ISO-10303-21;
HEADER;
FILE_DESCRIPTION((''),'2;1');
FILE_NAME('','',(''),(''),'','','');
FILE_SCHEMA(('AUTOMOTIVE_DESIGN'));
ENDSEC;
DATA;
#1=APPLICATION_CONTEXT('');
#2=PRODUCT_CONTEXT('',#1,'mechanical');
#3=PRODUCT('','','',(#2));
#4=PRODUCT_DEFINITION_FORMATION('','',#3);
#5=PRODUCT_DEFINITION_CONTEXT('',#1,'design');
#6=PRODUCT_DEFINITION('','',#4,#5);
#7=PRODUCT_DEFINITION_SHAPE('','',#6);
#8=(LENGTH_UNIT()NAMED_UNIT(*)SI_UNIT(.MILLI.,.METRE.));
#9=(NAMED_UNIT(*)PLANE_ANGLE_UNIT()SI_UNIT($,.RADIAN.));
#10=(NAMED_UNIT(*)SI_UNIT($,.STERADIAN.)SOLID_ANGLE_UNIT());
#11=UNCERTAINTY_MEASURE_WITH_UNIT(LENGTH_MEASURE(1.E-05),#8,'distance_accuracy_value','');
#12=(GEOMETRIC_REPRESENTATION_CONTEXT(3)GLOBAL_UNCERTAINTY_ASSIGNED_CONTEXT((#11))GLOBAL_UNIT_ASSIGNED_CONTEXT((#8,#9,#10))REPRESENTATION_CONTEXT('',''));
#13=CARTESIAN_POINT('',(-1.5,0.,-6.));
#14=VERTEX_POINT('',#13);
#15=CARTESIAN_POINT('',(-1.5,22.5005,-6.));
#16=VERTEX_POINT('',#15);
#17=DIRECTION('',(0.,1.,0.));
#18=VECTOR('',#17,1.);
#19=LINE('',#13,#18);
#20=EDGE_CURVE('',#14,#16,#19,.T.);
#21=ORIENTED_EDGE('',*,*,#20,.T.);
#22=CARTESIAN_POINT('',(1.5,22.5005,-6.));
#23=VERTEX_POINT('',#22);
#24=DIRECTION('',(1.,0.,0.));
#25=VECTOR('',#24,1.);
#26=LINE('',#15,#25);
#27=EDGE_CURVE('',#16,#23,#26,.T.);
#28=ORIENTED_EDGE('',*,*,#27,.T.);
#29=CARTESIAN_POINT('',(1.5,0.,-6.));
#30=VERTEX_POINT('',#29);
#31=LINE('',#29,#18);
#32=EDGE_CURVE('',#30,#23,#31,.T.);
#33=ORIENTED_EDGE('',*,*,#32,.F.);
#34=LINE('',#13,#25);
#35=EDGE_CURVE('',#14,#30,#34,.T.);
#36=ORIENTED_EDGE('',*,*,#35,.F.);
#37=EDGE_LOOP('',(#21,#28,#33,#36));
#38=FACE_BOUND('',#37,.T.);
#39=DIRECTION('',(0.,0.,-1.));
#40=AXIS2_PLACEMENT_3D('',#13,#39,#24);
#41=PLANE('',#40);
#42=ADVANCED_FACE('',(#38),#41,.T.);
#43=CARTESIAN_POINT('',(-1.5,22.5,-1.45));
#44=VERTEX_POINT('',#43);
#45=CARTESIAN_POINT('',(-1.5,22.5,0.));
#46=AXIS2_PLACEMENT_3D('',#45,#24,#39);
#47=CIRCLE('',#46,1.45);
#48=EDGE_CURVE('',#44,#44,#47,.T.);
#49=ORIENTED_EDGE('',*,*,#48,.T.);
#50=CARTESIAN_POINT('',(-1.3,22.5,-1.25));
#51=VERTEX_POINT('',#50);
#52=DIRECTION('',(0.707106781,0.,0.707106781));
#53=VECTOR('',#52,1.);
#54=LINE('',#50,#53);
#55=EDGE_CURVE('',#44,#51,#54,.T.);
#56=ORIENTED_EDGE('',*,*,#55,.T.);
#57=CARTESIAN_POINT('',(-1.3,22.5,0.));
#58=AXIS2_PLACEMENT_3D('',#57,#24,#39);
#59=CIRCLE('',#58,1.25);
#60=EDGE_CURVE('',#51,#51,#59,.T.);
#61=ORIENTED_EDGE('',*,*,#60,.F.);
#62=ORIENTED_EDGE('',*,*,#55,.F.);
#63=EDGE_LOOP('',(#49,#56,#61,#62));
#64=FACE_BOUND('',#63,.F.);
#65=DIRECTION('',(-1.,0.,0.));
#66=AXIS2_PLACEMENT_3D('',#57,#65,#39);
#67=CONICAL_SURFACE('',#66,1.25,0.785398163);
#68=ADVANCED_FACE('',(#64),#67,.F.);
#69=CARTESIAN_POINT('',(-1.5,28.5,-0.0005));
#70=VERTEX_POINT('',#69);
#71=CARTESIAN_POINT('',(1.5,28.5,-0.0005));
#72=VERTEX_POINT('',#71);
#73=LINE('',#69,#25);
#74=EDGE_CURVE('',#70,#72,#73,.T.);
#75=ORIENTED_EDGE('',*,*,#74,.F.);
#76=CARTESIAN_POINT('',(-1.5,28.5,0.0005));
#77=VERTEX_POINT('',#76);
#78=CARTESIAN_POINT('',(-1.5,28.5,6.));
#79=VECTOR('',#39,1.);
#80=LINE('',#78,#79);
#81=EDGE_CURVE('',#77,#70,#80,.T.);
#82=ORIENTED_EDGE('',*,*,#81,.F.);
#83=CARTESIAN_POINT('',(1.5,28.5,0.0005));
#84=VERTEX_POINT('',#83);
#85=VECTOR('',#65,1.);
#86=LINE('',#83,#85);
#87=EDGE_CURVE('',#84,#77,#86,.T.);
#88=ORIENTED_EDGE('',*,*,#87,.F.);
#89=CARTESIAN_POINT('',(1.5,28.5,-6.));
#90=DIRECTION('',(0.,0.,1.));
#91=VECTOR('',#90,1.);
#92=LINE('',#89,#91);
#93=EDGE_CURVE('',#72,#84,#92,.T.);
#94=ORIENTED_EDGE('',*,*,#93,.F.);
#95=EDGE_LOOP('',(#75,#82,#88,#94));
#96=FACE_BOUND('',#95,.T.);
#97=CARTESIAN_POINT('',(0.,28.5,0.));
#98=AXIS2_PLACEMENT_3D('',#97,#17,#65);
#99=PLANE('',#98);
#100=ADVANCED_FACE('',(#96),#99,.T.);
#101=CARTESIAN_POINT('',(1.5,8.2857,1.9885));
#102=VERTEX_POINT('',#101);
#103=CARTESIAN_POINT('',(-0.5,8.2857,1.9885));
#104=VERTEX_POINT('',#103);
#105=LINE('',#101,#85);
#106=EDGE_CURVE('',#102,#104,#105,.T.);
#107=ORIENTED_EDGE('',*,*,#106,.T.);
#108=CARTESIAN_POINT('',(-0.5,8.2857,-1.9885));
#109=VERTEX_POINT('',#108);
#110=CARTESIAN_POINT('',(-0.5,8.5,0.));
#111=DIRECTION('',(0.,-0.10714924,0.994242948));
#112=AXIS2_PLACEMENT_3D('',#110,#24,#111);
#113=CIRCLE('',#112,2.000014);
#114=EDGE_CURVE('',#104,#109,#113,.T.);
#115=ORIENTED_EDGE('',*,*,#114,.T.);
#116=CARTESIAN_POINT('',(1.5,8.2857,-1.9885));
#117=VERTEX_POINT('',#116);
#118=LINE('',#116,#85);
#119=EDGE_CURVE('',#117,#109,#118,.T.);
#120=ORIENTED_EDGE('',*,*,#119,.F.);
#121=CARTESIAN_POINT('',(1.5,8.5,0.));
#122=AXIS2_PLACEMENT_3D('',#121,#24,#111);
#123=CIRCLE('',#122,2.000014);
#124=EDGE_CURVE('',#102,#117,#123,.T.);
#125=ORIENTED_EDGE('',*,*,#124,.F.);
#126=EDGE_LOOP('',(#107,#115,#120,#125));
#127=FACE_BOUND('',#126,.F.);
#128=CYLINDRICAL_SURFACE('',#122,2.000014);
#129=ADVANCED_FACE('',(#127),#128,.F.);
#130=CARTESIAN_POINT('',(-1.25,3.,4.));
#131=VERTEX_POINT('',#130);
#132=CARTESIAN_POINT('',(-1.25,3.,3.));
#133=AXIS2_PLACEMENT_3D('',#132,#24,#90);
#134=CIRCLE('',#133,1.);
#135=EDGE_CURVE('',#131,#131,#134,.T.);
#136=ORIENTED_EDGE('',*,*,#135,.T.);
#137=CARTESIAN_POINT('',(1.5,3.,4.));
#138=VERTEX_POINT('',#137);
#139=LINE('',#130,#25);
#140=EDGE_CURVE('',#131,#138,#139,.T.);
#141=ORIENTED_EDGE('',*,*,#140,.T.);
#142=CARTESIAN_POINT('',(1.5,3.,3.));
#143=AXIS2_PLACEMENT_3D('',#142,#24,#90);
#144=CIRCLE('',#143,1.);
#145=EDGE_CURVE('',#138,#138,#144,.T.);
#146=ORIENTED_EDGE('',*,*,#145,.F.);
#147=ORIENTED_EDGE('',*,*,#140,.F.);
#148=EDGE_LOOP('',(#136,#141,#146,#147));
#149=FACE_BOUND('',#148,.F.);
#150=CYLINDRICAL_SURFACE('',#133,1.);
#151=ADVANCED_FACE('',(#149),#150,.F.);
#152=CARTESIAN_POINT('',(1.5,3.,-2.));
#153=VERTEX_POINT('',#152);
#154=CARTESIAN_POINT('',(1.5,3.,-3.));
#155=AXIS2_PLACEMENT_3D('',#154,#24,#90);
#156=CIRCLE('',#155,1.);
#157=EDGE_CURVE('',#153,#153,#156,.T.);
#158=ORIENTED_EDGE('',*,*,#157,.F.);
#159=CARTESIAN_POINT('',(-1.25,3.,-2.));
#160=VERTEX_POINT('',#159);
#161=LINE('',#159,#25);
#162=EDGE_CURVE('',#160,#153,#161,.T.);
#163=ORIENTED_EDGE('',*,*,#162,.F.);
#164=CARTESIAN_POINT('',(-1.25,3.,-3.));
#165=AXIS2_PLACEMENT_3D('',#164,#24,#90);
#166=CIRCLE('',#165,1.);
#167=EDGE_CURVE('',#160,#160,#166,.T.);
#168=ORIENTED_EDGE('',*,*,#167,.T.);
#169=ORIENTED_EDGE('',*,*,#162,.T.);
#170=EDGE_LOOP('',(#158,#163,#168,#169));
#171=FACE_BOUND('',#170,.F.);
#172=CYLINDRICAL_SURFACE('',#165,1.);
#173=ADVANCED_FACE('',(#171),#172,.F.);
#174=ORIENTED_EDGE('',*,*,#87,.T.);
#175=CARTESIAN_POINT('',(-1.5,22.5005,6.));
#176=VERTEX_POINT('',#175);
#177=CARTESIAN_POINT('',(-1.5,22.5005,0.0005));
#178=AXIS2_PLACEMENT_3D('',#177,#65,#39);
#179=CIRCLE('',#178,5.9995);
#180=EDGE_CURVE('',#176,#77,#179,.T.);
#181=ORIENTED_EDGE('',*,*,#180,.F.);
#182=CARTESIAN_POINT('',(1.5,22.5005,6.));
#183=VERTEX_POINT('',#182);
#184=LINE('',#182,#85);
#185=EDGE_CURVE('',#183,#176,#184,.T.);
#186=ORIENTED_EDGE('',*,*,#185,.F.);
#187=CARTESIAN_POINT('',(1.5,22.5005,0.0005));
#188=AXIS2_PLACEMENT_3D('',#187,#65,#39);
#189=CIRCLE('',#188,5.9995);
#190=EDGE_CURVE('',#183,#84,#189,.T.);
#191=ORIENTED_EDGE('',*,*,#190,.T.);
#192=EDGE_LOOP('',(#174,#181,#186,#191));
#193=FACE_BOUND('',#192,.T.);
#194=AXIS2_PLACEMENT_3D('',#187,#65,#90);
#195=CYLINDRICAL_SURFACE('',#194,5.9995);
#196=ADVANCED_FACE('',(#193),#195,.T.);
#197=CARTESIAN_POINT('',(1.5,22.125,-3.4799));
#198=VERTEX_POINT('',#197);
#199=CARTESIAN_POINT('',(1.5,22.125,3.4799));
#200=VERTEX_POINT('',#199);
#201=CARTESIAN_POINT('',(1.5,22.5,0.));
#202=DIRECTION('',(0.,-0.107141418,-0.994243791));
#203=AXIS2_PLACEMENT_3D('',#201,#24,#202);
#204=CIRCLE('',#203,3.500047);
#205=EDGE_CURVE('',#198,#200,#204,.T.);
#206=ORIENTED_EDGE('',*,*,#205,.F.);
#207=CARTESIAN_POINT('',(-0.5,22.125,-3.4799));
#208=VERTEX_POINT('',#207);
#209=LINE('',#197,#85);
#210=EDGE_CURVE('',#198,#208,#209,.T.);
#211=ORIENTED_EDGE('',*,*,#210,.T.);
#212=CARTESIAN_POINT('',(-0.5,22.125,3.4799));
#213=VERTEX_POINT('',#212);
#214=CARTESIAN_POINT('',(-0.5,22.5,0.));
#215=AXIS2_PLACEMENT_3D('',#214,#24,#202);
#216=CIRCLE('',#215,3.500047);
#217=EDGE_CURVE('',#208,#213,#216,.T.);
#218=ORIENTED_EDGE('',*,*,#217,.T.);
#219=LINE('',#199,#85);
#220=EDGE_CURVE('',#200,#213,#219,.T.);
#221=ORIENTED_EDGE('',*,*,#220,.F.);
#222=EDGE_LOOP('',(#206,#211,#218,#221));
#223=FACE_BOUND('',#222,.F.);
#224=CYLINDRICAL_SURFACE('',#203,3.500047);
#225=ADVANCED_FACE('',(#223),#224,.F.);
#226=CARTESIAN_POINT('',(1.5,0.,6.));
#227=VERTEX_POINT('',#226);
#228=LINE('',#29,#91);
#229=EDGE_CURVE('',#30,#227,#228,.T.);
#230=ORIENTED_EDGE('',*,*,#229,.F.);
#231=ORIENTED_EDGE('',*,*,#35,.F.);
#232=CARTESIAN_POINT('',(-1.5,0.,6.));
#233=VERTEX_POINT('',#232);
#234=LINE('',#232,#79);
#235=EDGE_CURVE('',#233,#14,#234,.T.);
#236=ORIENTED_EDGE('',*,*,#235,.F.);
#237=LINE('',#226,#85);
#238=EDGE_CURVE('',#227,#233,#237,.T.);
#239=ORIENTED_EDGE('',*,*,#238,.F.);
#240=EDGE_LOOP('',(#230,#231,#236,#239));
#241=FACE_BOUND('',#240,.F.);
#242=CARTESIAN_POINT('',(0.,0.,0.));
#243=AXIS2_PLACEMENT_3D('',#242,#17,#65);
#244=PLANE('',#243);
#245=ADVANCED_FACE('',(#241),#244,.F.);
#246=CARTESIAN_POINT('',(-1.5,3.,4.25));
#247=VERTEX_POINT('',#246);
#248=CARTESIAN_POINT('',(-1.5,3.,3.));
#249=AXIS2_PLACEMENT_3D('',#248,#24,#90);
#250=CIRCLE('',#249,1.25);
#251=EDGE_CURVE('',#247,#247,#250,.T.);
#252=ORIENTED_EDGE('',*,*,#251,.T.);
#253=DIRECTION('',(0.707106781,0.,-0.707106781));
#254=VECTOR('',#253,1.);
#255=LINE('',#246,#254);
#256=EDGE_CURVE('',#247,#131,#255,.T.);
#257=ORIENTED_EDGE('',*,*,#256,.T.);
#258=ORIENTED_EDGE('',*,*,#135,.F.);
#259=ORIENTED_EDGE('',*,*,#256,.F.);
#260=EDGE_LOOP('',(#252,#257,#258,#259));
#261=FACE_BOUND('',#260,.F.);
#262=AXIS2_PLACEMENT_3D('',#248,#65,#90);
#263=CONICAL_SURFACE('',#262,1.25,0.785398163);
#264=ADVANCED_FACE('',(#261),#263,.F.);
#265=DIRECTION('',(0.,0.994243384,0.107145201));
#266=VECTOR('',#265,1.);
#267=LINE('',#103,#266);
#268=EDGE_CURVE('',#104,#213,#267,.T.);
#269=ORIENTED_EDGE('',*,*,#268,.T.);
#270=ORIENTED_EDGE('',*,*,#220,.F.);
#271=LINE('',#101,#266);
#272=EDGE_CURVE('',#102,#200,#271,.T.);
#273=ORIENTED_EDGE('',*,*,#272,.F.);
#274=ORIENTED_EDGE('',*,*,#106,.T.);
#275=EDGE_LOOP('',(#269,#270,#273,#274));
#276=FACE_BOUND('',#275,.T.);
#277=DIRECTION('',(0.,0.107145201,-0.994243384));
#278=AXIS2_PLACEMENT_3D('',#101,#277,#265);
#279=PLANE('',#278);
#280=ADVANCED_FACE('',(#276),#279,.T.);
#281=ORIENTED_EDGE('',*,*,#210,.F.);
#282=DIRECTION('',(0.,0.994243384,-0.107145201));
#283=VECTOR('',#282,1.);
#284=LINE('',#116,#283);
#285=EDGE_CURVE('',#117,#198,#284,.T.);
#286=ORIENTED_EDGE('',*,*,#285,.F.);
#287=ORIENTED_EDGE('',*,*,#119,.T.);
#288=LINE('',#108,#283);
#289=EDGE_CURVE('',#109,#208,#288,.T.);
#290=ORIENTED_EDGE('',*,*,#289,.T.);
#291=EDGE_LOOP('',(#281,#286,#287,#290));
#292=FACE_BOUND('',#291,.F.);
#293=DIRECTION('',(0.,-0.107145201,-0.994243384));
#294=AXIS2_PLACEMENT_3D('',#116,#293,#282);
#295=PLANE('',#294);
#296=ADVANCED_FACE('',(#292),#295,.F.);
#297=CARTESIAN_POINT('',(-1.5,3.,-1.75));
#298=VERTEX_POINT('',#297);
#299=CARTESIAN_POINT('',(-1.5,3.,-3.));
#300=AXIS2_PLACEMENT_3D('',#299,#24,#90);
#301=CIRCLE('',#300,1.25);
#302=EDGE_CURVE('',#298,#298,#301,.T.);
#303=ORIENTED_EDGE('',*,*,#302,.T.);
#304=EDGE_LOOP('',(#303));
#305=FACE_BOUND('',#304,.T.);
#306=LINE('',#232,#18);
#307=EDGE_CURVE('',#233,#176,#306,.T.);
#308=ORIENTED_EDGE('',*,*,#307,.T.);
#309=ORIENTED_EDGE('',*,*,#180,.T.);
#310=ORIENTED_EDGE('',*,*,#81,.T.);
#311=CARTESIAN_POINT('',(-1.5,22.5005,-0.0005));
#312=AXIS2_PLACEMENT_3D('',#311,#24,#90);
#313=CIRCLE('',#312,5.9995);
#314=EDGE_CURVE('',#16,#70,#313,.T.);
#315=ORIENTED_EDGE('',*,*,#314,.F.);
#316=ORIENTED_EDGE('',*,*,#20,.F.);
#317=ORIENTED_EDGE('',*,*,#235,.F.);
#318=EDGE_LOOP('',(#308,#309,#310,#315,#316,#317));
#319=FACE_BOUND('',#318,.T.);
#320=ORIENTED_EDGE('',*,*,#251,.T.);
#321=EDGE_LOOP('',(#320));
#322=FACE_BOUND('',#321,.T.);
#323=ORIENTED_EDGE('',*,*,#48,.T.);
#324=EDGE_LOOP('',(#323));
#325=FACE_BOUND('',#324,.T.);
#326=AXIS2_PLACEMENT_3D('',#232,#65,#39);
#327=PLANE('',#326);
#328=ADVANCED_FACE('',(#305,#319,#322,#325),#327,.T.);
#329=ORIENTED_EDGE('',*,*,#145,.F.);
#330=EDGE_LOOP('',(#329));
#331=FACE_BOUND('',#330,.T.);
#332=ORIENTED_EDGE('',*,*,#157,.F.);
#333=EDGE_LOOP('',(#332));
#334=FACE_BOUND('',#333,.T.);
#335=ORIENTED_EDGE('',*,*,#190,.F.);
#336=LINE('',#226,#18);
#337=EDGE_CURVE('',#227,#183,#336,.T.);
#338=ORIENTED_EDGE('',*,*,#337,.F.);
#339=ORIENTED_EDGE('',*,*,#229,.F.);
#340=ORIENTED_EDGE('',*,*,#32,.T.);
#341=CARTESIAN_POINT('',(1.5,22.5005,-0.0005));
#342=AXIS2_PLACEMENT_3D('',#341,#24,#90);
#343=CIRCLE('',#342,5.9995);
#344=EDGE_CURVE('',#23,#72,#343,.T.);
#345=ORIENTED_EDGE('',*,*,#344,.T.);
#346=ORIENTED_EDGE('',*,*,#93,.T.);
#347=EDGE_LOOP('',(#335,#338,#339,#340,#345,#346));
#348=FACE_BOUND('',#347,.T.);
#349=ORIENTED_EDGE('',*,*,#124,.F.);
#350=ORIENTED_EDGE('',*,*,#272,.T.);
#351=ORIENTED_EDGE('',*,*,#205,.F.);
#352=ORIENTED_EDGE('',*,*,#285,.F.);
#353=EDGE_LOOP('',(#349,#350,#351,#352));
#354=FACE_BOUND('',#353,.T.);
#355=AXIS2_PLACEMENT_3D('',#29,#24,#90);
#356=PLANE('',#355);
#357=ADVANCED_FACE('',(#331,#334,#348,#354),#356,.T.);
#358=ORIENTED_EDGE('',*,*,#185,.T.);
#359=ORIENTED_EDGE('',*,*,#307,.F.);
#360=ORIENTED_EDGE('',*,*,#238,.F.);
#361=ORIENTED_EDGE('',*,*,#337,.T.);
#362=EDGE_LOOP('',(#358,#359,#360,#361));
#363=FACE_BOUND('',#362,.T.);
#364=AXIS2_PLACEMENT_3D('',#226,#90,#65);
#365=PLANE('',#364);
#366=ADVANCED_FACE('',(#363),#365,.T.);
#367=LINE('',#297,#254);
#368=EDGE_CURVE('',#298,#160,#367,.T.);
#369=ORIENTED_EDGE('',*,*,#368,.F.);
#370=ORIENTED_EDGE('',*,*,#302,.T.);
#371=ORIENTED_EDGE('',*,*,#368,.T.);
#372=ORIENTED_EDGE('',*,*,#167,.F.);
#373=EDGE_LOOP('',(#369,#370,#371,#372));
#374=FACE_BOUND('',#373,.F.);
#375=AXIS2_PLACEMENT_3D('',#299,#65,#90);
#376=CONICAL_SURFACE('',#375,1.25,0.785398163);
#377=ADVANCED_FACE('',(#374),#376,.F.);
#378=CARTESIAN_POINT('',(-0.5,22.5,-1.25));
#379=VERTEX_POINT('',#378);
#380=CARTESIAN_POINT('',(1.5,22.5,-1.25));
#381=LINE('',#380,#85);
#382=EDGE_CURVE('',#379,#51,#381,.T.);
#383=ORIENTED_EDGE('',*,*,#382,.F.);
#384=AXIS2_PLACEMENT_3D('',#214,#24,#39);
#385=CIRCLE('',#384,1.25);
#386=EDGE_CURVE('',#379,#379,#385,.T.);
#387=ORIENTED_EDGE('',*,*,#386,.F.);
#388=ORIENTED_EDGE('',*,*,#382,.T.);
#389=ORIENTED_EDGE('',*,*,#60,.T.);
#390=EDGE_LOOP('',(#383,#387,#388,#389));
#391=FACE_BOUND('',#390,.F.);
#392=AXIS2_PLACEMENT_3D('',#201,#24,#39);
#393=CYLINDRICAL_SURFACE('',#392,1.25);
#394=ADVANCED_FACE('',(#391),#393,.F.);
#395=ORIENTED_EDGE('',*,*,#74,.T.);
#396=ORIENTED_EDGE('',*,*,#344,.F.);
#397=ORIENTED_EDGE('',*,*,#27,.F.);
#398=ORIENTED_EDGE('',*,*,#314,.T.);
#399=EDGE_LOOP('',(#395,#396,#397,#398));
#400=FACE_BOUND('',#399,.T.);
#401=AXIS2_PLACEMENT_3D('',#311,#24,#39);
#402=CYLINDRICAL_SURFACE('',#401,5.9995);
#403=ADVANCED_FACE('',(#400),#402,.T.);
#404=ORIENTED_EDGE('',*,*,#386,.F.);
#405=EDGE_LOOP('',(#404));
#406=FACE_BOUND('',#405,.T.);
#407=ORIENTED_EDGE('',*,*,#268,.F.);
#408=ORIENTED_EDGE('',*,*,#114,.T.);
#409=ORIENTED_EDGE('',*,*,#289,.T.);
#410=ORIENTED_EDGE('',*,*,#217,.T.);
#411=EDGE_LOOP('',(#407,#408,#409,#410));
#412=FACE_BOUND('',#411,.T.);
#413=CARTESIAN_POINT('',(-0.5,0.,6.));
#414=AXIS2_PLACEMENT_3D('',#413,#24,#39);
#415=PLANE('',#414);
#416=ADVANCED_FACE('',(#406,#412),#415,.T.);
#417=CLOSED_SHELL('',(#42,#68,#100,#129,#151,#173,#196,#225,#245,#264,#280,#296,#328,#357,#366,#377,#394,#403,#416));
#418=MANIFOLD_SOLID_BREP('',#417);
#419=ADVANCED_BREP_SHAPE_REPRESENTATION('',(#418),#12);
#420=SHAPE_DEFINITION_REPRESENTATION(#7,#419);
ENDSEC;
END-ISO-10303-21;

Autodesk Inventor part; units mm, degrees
ref_plane "YZ Plane" through (0, 0, 0) normal (1, 0, 0) x (0, 1, 0)
ref_plane "XZ Plane" through (0, 0, 0) normal (0, 1, 0) x (-1, 0, 0)
ref_plane "XY Plane" through (0, 0, 0) normal (0, 0, 1) x (1, 0, 0)
sketch "Sketch1" plane through (0, 0, 0) normal (0, 1, 0) x (-1, 0, 0)
  line L0 (-1.5, 6) -> (1.5, 6)
  line L1 (1.5, 6) -> (1.5, -6)
  line L2 (1.5, -6) -> (-1.5, -6)
  line L3 (-1.5, -6) -> (-1.5, 6)
  line L4 (-1.5, 6) -> (1.5, -6) construction
  line L5 (1.5, 6) -> (-1.5, -6) construction
  point P0 (0, 0)
  dimension "d0" = 3
  dimension "d1" = 12
extrude "Extrusion1" add sketch "Sketch1" along normal blind 28.5
fillet "Fillet1" radius 6 2 edges at (0, 28.5, 6) (0, 28.5, -6)
sketch "Sketch3" plane through (1.5, 0, 6) normal (1, 0, 0) x (0, 0, -1)
  arc A0 (12, 22.5) -> (0, 22.5) centre (6, 22.5) ccw projected
  arc A1 (9.4799, 22.125) -> (2.5201, 22.125) centre (6, 22.5) ccw
  line L0 (6, 22.5) -> (6, 8.5) construction
  line L1 (6, 22.5) -> (20, 22.5) construction
  arc A2 (4.0115, 8.2857) -> (7.9885, 8.2857) centre (6, 8.5) ccw
  line L2 (4.0115, 8.2857) -> (2.5201, 22.125)
  line L3 (7.9885, 8.2857) -> (9.4799, 22.125)
  circle A3 centre (6, 22.5) radius 1.25
  point P0 (6, 0)
  dimension "d8" = 7
  dimension "d9" = 14
  dimension "d10" = 90
  dimension "d11" = 4
  dimension "d43" = 2.5
extrude "Extrusion3" cut sketch "Sketch3" against normal blind 2
sketch "Sketch6" plane through (-1.5, 0, -6) normal (-1, 0, 0) x (0, 0, 1)
  line L0 (6, 0) -> (6, 28.5)
  arc A0 (12, 22.5) -> (0, 22.5) centre (6, 22.5) ccw projected
  line L1 (0, 0) -> (12, 0) construction
  line L2 (0, 0) -> (3, 0) construction
  line L3 (3, 0) -> (3, 3) construction
  line L4 (3, 3) -> (0, 3) construction
  line L5 (0, 3) -> (0, 0) construction
  line L6 (9, 0) -> (9, 3) construction
  line L7 (9, 3) -> (12, 3) construction
  dimension "d35" = 3
hole "Hole2" at (-1.5, 3, -3) at (-1.5, 3, 3) direction (1, 0, 0) diameter 2 depth 3 countersink diameter 2.5 countersink angle 90
extrude "Vysunutí6" cut sketch "Sketch3" against normal through all contours A3
chamfer "Chamfer1" distance 0.2 angle 45 1 edges at (-1.5, 22.5, 1.25)
properties part number "middleLegv2-2_3DPrint"
